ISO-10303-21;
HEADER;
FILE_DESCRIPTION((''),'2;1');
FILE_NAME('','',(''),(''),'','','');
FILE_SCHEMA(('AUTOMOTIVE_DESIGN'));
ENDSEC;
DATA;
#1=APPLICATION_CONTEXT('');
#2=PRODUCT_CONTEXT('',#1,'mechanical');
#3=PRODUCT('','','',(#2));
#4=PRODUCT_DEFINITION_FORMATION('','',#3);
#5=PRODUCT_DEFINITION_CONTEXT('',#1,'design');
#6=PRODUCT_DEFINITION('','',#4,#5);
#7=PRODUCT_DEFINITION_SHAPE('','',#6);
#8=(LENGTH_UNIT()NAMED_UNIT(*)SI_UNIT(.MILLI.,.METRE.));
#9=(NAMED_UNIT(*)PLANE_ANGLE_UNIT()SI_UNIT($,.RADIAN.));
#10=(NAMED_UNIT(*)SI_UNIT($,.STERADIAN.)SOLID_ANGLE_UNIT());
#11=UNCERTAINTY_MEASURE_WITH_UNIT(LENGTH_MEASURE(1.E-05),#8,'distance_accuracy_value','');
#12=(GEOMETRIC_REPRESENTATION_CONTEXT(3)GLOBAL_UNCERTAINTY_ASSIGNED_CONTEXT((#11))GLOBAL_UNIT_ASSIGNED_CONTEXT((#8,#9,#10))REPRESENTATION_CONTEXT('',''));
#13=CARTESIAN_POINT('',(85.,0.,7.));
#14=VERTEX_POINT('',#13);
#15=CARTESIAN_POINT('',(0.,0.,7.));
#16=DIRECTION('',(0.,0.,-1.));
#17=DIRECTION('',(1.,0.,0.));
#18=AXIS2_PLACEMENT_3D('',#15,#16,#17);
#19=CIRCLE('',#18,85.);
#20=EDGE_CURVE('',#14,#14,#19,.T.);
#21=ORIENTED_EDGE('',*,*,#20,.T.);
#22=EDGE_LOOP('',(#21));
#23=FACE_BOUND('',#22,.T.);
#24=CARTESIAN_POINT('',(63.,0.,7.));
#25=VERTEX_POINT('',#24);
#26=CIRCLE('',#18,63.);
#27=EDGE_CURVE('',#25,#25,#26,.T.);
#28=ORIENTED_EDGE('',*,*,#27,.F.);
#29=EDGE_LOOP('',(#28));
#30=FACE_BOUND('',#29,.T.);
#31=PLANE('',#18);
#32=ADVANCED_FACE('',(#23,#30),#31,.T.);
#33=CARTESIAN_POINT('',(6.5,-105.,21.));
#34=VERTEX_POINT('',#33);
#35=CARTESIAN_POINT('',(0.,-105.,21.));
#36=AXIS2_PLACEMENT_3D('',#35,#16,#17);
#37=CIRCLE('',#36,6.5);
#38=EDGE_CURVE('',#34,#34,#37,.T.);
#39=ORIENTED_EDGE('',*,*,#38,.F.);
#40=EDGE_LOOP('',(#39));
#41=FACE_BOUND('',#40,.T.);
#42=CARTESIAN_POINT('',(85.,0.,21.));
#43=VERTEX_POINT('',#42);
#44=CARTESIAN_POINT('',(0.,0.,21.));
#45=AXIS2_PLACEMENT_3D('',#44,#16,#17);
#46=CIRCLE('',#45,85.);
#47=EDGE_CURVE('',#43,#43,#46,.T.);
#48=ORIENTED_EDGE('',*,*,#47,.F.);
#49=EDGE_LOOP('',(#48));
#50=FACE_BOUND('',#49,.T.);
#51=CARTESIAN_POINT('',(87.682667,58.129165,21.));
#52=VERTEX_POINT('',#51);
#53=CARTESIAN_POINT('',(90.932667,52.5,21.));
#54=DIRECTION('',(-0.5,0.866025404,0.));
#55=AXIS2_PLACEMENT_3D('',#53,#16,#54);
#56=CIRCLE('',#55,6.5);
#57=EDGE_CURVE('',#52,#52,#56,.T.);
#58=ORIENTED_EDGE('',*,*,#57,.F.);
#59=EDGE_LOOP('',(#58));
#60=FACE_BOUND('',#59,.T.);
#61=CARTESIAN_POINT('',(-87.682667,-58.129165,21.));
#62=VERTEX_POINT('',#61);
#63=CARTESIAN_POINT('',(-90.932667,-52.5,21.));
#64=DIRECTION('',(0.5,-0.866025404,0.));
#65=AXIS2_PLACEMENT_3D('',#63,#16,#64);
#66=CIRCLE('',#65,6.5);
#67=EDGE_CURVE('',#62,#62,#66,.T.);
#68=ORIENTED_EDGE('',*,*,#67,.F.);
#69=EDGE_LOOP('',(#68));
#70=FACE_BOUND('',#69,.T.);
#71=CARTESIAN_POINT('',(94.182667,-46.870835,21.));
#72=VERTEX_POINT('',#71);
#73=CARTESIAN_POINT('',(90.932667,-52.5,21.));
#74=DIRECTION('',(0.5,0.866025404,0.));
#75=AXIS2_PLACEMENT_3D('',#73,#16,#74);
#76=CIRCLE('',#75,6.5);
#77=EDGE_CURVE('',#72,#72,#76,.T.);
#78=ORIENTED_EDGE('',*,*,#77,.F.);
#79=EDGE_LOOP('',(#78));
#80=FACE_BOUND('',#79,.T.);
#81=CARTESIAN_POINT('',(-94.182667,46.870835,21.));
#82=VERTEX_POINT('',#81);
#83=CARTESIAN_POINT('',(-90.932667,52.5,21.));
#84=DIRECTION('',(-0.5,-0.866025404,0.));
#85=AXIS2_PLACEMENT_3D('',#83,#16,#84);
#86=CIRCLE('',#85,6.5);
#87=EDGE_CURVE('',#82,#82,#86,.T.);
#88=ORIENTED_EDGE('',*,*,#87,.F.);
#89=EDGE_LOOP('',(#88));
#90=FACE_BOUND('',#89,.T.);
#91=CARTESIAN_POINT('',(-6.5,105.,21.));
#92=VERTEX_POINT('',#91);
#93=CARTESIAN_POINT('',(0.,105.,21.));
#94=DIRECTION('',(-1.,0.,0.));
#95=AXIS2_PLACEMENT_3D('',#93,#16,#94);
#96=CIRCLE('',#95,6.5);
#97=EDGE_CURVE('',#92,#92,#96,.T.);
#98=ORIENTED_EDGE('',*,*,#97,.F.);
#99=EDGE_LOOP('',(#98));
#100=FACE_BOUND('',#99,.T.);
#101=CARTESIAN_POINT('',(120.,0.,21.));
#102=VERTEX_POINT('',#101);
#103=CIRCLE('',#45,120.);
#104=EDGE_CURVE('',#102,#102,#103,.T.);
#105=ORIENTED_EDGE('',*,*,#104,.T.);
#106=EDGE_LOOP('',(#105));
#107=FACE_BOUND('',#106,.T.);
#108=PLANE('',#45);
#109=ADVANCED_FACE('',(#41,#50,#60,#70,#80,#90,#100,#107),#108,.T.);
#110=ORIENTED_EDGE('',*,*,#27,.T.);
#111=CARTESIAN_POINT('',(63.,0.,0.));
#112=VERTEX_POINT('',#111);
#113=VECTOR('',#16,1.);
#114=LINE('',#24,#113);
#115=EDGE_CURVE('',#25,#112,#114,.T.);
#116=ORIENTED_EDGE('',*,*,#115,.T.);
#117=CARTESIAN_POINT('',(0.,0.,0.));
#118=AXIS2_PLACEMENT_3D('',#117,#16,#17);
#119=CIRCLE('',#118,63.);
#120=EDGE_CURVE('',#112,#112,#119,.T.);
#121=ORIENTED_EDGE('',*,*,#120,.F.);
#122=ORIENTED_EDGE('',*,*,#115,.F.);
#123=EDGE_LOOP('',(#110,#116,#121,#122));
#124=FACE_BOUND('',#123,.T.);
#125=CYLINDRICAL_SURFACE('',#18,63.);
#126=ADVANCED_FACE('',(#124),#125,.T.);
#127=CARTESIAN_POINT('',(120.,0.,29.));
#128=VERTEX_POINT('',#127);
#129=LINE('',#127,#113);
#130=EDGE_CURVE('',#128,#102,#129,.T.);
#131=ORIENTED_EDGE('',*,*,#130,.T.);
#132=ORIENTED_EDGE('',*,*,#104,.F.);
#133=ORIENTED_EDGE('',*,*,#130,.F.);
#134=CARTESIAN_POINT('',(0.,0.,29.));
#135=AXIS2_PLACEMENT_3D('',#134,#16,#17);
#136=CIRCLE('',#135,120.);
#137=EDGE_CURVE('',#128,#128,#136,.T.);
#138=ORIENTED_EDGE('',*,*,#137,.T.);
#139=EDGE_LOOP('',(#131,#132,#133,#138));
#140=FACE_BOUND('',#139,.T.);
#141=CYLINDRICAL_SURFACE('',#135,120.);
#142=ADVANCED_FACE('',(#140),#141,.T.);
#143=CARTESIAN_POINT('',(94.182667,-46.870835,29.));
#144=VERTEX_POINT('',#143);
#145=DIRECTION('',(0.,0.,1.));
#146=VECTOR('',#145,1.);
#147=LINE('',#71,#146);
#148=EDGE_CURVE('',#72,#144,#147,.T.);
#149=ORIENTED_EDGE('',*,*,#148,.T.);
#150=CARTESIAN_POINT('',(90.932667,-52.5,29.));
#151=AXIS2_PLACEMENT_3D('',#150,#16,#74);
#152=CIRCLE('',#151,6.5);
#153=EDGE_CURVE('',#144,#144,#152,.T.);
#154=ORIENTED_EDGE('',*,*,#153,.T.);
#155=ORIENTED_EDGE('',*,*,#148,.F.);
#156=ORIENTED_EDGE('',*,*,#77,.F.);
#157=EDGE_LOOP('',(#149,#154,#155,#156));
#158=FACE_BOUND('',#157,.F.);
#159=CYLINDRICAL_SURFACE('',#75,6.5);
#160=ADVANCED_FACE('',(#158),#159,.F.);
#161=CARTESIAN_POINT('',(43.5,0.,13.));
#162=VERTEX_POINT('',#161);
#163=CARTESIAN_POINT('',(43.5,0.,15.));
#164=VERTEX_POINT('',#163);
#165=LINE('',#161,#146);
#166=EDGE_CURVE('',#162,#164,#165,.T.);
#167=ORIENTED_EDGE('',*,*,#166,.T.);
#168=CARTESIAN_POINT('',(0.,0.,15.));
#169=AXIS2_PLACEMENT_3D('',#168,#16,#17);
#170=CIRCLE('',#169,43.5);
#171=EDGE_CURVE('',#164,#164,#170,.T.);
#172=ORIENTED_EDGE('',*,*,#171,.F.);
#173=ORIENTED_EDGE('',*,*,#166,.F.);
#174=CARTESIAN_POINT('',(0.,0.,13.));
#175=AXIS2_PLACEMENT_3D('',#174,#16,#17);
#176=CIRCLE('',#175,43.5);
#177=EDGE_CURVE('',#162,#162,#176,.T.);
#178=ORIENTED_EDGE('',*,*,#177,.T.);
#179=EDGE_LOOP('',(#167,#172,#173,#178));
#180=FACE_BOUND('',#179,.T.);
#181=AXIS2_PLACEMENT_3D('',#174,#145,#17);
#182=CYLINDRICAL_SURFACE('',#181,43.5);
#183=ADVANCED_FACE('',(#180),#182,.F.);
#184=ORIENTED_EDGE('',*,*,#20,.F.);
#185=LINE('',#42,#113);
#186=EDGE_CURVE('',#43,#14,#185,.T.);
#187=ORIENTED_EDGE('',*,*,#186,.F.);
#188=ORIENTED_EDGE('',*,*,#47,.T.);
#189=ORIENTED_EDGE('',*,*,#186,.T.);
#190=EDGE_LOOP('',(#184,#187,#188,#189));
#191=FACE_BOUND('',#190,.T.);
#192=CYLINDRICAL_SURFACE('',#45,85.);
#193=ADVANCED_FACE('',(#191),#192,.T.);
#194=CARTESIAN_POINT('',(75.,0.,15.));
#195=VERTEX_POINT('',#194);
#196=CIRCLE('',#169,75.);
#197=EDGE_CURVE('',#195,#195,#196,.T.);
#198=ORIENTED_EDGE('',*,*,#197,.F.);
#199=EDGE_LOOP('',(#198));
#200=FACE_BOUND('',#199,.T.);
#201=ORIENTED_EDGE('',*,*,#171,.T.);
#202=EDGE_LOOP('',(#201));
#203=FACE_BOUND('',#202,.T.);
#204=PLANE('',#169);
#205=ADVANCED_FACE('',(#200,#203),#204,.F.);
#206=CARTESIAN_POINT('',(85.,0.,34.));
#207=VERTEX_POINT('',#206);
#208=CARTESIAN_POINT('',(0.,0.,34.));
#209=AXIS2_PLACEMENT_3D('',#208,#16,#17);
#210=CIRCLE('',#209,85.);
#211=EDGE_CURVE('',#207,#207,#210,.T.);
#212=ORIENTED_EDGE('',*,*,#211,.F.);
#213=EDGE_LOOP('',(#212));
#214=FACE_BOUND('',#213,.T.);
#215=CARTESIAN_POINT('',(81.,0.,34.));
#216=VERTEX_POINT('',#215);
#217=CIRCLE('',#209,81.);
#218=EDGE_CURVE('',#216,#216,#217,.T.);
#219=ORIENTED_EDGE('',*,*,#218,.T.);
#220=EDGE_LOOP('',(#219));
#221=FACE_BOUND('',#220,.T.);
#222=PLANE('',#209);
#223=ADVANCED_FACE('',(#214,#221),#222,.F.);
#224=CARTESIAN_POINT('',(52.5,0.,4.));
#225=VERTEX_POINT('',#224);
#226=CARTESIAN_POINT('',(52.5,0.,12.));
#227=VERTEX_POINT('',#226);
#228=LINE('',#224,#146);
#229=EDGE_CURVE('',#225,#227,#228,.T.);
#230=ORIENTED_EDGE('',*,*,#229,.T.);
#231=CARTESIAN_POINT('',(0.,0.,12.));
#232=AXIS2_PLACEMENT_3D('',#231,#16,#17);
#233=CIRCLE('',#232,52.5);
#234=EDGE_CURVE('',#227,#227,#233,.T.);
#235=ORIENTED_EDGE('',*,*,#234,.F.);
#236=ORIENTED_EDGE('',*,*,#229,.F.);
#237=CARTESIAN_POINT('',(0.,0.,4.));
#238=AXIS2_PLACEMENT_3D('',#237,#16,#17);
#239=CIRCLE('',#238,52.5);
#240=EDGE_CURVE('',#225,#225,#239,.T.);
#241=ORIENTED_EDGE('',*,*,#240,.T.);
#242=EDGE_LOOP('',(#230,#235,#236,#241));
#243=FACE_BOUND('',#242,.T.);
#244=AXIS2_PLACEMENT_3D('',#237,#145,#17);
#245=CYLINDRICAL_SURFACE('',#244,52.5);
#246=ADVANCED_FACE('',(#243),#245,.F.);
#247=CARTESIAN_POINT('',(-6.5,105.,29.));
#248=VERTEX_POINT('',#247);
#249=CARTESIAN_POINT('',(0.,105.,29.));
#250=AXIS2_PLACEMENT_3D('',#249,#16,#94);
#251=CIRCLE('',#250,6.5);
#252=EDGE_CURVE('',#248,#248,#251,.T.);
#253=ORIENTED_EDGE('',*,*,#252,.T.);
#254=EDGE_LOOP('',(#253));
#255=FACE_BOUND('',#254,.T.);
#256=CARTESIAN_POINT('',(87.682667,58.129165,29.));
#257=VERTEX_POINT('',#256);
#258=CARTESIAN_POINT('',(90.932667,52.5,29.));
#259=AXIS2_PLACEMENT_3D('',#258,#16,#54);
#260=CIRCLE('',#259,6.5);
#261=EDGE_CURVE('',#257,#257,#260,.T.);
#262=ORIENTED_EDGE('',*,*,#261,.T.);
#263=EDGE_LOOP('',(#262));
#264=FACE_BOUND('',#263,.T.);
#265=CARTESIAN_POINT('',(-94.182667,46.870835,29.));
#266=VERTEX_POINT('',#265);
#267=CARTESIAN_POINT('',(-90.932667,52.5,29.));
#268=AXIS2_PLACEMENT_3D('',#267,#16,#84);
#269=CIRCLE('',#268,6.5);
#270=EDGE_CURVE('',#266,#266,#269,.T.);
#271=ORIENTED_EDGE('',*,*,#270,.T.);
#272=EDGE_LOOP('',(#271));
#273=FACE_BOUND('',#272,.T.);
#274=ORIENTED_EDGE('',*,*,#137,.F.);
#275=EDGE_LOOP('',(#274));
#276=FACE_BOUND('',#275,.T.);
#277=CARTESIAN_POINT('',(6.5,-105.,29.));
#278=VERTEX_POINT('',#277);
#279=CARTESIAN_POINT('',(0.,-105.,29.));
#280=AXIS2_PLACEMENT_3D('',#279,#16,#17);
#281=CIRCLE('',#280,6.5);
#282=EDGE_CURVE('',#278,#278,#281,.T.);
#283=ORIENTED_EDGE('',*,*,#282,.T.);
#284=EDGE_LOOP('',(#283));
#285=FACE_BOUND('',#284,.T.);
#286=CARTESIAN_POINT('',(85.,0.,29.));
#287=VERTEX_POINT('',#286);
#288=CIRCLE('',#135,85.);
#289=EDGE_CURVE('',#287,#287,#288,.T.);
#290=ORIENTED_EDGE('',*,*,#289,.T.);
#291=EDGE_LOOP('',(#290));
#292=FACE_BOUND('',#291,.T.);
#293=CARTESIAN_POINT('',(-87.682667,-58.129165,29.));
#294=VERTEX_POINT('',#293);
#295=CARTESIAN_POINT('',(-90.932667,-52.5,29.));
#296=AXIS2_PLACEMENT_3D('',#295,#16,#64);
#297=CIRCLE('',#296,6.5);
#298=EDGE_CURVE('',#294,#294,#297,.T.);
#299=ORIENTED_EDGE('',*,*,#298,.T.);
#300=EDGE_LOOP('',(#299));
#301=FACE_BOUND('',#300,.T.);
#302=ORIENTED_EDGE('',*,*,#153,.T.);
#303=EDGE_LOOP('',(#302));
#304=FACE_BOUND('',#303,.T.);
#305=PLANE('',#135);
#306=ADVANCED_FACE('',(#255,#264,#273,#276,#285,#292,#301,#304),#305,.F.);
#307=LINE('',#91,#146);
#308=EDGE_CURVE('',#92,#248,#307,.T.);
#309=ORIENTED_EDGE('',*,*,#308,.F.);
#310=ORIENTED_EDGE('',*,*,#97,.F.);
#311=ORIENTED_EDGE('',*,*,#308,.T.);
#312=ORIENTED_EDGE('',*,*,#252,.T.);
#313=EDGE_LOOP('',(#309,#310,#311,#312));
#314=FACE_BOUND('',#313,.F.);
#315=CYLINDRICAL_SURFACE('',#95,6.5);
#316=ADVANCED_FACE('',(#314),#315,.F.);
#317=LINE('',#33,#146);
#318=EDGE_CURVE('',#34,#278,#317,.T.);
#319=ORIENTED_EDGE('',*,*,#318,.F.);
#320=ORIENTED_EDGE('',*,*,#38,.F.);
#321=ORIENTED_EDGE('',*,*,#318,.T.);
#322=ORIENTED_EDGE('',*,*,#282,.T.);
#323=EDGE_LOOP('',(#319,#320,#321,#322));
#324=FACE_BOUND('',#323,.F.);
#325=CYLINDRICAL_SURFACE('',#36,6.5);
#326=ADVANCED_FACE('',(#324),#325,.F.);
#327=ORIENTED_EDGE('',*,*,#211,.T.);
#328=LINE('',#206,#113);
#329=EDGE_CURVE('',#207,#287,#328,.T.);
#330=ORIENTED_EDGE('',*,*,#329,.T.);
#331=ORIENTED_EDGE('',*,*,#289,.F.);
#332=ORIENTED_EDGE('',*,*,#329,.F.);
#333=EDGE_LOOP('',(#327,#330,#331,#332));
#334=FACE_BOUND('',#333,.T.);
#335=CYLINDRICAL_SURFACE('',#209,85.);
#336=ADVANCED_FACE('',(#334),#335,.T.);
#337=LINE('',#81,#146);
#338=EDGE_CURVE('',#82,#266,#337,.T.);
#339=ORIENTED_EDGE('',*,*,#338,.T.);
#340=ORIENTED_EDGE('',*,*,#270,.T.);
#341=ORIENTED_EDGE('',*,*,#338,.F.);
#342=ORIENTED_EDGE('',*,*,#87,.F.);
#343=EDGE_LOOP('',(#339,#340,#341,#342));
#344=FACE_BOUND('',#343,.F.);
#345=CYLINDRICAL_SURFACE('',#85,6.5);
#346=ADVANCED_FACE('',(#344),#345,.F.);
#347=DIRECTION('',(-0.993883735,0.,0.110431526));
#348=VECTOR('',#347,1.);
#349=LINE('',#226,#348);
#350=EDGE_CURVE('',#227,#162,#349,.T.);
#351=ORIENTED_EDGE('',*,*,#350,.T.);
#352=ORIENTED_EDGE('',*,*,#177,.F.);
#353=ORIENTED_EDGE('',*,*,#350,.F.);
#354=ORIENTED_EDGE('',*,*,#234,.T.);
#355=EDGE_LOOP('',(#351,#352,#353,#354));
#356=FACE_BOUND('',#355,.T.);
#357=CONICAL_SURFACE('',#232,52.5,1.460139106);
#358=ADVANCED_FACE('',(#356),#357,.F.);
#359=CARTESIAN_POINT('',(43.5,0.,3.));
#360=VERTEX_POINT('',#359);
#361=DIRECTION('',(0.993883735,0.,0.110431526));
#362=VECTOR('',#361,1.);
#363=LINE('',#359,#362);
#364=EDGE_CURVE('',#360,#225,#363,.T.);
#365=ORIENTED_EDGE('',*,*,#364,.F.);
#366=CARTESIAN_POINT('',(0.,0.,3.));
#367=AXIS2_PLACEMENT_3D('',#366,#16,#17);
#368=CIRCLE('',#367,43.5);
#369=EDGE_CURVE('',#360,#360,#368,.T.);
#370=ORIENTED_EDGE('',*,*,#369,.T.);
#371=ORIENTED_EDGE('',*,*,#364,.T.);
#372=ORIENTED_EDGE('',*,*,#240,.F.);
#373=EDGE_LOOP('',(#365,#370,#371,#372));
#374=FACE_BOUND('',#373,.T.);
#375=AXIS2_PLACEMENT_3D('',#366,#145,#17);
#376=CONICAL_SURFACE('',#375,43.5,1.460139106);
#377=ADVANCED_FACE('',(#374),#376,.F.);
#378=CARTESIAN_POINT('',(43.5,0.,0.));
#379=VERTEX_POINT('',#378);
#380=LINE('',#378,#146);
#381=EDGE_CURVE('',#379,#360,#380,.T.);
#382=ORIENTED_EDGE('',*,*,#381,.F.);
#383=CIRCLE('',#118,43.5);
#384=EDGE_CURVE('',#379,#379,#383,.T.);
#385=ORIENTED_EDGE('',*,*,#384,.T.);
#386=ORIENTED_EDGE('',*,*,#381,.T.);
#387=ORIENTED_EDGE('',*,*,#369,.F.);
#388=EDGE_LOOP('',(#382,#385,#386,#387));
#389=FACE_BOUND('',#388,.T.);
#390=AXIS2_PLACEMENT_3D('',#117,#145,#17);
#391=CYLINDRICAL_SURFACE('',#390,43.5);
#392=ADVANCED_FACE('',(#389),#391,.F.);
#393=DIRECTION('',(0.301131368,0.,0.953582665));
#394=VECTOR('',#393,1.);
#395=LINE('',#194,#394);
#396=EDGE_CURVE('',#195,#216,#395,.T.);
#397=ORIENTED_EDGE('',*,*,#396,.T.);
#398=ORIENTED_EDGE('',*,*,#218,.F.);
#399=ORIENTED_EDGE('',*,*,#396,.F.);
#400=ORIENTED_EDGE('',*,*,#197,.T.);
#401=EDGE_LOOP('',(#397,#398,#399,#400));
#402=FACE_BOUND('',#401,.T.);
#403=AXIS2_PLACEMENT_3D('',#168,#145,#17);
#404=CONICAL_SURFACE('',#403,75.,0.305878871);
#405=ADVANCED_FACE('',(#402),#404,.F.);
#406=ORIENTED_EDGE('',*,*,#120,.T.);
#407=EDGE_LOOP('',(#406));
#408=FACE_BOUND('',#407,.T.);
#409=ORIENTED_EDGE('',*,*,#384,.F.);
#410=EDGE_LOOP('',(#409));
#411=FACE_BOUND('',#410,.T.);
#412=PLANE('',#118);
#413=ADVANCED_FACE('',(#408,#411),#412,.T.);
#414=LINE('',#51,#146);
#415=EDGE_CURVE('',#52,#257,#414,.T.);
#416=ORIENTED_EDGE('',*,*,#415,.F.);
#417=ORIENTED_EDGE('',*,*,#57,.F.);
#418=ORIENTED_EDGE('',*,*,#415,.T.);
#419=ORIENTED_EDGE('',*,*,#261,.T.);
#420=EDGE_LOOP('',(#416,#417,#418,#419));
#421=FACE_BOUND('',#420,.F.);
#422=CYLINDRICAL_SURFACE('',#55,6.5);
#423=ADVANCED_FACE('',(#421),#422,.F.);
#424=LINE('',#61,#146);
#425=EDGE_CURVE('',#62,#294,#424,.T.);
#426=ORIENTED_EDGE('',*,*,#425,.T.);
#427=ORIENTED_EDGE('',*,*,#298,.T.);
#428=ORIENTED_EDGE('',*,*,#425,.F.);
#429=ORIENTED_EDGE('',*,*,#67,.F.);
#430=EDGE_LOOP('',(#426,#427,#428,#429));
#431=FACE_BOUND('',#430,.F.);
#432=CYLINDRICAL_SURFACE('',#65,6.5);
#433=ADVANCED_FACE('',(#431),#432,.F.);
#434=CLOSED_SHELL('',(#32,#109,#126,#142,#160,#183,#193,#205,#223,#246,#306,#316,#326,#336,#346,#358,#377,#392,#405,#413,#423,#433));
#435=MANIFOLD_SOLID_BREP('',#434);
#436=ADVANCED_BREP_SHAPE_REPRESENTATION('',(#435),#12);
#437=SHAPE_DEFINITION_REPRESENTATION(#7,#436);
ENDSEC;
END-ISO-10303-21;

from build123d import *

# Parameters (mm, degrees)
SKETCH_2_R               = 6.5
CUT_EXTRUDE_1_DEPTH      = 172
PATTERN_CIRCULAR_1_COUNT = 6


with BuildPart() as part:
    # 草图1 → 旋转1 (revolve)
    with BuildSketch(Plane(origin=(0, 0, 0), x_dir=(0, 0, -1), z_dir=(1, 0, 0)), mode=Mode.PRIVATE) as revolve_1_sk:
        Polygon((0, 43.5), (-3, 43.5), (-4, 52.5), (-12, 52.5), (-13, 43.5), (-15, 43.5), (-15, 75), (-34, 81), (-34, 85), (-29, 85), (-29, 120), (-21, 120), (-21, 85), (-7, 85), (-7, 63), (0, 63), align=None)
    revolve(revolve_1_sk.sketch.rotate(Axis((0, 0, 1000), (0, 0, -1)), 90), axis=Axis((0, 0, 1000), (0, 0, -1)))

    # 草图2 → 切除-拉伸1 (cut, through all)
    with BuildSketch(Plane(origin=(0, 0, 21), x_dir=(-1, 0, 0), z_dir=(0, 0, -1))):
        with Locations((0, 105)):
            Circle(SKETCH_2_R)
    cut_extrude_1 = extrude(amount=-CUT_EXTRUDE_1_DEPTH, mode=Mode.SUBTRACT)

    # 阵列(圆周)1: 切除-拉伸1 ×6 about axis
    pattern_circular_1_axis = Axis((0, 0, 0), (0, 0, 1))
    for i in range(1, PATTERN_CIRCULAR_1_COUNT):
        add(cut_extrude_1.rotate(pattern_circular_1_axis, i * 360 / PATTERN_CIRCULAR_1_COUNT), mode=Mode.SUBTRACT)


solid = part.part
